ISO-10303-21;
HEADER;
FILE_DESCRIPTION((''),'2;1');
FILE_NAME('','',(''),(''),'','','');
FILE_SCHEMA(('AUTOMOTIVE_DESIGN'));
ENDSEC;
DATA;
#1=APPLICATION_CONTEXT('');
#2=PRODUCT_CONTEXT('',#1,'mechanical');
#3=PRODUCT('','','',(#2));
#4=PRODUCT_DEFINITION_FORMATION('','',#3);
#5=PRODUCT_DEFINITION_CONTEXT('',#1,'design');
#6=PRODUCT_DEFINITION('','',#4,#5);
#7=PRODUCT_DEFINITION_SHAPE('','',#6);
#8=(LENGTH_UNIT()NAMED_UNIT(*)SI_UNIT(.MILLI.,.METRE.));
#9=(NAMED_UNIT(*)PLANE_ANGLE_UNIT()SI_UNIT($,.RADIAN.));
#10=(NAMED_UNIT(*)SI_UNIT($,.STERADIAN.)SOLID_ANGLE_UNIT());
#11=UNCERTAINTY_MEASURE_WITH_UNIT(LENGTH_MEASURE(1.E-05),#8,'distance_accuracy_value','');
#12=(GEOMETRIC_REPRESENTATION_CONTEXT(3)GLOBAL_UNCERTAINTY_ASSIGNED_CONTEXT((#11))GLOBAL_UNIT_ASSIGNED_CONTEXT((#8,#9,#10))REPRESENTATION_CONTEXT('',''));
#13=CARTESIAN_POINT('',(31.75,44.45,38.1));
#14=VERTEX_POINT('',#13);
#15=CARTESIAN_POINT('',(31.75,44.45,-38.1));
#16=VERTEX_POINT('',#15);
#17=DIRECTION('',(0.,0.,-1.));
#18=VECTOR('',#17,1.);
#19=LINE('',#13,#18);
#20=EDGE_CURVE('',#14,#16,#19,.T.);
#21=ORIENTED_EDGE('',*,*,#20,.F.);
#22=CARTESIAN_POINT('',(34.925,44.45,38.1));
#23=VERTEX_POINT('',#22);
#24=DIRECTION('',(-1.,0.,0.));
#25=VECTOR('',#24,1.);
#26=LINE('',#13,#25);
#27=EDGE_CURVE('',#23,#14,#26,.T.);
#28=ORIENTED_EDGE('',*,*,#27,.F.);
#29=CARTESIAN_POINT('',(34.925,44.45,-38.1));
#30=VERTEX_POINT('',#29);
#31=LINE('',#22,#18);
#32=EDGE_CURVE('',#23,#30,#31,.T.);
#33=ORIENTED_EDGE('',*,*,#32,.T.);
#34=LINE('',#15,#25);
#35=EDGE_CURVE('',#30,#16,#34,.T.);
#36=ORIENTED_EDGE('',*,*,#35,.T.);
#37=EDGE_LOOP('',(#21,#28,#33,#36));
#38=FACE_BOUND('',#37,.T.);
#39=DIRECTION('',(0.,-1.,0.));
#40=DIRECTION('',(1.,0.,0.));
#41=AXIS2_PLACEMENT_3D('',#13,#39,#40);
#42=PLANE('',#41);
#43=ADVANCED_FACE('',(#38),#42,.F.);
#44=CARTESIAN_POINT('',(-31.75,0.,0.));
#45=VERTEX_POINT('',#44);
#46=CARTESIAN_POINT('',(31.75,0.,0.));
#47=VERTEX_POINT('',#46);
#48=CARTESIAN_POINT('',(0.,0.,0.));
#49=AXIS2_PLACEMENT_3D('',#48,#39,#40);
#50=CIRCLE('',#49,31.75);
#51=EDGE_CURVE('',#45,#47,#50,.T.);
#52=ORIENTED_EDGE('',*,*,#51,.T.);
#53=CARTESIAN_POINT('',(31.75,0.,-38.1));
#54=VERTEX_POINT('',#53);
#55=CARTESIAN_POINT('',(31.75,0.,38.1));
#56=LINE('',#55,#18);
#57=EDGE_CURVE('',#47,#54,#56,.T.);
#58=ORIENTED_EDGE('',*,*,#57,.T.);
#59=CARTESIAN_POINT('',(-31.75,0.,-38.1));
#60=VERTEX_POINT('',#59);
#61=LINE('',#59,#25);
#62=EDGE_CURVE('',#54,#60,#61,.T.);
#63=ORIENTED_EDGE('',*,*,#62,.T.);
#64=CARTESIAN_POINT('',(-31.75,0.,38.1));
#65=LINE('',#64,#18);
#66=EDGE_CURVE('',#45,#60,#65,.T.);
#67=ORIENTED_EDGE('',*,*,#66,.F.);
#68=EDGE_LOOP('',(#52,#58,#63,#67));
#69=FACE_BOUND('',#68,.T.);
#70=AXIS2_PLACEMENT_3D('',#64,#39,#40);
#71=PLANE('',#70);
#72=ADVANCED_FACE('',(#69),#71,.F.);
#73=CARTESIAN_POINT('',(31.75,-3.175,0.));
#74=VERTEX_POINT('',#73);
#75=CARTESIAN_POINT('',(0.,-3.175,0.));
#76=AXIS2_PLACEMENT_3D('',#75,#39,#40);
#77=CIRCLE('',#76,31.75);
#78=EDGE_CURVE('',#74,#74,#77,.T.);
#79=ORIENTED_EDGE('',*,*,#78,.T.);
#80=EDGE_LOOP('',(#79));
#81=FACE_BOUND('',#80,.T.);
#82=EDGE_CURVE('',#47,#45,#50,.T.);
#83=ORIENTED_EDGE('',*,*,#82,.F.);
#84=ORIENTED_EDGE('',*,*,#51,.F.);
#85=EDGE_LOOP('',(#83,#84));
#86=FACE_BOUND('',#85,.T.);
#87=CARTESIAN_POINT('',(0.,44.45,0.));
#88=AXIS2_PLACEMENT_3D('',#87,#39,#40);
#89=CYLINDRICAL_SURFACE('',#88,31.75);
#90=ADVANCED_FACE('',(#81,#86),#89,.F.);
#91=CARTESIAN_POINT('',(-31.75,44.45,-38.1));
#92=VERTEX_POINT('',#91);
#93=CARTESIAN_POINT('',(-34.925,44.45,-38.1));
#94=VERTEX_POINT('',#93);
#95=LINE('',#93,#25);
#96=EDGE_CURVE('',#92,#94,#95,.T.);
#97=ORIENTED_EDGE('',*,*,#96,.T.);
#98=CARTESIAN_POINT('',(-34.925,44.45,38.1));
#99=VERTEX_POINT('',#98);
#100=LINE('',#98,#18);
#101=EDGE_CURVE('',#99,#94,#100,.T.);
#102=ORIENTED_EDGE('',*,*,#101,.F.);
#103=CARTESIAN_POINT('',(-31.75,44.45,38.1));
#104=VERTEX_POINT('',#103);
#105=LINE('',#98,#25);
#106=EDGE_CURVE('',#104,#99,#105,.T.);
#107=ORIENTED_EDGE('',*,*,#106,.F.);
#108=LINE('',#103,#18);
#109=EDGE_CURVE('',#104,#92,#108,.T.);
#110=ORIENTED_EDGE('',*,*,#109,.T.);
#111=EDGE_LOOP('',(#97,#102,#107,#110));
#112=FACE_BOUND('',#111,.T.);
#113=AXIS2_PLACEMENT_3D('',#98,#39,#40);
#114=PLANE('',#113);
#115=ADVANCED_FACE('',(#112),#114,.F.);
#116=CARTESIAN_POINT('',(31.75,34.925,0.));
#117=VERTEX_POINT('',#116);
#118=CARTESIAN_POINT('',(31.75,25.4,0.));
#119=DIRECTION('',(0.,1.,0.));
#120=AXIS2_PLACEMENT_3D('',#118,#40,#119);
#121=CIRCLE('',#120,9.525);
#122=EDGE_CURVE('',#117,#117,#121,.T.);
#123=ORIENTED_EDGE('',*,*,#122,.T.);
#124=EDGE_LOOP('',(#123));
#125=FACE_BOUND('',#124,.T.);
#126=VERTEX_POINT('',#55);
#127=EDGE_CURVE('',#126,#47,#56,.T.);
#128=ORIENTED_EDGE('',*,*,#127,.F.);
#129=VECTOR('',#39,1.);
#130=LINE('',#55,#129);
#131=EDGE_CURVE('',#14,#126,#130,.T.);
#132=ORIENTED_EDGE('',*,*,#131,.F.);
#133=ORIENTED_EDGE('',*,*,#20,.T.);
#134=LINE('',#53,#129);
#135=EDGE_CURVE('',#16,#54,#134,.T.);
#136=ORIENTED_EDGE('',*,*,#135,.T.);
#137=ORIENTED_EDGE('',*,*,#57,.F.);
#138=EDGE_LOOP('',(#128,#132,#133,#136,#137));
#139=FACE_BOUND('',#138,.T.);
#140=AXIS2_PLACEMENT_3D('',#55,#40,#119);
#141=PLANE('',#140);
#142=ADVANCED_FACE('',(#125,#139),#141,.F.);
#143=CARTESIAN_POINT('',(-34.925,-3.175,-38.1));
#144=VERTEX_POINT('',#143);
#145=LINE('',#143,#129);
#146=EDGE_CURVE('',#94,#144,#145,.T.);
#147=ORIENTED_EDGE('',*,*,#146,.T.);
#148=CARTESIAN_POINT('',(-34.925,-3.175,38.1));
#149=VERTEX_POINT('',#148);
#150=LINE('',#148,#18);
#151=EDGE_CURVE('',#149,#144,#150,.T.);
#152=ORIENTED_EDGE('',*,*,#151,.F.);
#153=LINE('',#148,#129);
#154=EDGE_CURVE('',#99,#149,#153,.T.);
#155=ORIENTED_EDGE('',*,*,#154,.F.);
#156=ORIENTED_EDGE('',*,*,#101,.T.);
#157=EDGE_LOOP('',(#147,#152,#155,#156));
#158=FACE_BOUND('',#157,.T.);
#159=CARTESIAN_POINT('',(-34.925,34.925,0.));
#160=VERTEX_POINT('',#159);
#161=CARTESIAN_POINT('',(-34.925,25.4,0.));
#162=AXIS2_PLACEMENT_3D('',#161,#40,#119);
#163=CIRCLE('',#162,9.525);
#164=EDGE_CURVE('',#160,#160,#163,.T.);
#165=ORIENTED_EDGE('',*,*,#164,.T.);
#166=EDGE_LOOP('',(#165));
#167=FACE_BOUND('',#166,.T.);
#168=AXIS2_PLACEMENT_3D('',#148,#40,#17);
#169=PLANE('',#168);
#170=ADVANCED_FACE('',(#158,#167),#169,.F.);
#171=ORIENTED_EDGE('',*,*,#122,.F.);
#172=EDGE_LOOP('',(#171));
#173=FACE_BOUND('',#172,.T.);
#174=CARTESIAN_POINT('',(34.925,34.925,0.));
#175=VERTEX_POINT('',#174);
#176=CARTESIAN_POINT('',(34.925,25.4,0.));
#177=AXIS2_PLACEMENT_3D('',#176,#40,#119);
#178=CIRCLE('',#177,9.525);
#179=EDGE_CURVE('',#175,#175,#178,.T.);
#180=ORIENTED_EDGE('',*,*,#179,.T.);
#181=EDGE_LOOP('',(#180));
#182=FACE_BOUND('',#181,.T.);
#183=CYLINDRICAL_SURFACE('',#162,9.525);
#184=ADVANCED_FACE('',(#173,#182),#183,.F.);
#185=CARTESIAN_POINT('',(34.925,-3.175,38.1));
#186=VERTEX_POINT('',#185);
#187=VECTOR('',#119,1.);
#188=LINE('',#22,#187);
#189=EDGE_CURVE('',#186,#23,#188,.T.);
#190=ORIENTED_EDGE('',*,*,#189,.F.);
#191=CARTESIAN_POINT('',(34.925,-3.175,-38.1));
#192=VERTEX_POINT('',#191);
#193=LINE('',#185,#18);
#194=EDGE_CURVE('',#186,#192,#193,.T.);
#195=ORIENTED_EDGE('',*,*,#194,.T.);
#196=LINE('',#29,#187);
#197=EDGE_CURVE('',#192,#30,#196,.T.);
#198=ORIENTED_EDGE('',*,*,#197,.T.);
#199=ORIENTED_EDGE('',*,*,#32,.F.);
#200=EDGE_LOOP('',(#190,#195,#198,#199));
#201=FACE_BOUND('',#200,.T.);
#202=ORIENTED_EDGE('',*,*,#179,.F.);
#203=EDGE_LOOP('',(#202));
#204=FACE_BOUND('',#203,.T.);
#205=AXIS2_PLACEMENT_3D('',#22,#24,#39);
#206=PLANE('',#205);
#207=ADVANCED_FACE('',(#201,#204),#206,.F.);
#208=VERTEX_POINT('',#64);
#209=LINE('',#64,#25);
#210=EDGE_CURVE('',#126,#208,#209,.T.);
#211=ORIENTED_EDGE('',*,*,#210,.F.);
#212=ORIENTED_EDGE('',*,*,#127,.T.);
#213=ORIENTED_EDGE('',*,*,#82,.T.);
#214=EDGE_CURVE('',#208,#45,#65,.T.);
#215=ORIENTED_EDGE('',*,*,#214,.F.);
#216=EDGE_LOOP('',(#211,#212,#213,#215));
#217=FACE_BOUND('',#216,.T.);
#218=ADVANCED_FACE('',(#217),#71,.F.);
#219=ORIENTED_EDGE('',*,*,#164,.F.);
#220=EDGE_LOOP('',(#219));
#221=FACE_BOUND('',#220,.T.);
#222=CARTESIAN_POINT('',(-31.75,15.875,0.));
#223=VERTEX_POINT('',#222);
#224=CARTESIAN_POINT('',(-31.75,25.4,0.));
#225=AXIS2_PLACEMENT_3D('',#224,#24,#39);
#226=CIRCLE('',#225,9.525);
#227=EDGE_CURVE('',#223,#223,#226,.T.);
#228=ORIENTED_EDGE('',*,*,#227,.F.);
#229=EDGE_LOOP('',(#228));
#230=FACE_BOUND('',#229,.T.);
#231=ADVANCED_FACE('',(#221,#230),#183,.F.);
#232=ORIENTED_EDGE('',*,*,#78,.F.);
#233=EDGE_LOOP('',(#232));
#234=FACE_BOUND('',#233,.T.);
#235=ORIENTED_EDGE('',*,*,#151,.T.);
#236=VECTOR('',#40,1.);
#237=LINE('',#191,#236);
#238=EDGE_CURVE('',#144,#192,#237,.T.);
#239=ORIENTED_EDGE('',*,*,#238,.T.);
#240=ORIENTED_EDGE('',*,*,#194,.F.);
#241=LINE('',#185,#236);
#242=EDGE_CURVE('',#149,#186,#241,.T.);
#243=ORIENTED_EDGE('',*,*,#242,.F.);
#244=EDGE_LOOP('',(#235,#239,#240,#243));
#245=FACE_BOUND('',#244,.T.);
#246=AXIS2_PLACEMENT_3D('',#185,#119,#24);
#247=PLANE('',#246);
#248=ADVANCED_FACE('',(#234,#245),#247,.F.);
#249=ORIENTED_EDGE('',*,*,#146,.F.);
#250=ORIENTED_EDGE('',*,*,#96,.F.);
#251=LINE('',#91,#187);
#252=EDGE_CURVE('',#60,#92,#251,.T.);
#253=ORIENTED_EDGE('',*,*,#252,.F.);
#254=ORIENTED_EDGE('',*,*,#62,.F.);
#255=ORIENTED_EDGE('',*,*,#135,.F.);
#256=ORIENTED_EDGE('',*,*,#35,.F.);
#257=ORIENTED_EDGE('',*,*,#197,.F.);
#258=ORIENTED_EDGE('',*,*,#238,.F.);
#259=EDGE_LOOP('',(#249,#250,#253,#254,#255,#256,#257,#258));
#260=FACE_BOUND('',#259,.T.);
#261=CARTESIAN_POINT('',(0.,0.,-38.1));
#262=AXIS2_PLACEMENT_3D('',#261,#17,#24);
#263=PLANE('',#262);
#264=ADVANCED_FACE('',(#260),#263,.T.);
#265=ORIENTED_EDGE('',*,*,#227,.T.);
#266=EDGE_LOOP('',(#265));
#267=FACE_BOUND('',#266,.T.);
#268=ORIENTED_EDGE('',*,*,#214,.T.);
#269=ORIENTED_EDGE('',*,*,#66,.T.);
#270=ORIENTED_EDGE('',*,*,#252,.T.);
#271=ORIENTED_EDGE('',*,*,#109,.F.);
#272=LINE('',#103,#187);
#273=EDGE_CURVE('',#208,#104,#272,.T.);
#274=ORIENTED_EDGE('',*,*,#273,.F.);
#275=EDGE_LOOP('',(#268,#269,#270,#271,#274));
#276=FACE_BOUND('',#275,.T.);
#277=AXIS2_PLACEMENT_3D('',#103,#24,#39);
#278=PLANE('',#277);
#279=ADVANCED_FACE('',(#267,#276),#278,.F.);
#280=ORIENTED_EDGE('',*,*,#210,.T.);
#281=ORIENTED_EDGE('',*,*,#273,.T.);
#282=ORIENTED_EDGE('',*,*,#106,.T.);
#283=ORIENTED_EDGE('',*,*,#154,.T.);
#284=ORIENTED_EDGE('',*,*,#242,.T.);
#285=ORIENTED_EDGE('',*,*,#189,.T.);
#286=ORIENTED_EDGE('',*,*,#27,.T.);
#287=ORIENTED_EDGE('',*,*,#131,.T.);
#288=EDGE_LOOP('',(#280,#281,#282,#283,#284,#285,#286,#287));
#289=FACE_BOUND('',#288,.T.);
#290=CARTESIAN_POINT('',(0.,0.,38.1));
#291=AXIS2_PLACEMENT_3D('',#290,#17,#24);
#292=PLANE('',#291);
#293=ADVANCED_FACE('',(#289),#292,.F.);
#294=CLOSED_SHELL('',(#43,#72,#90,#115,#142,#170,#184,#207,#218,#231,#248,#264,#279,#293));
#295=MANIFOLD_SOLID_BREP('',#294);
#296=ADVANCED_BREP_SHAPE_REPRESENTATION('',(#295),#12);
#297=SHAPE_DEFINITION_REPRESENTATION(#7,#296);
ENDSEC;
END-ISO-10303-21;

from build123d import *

# Parameters (mm, degrees)
BOSS_EXTRUDE1_DEPTH = 38.1
SKETCH2_R           = 9.525
CUT_EXTRUDE1_DEPTH  = 70.85
SKETCH3_R           = 31.75
CUT_EXTRUDE2_DEPTH  = 48.625


with BuildPart() as part:
    # Sketch1 → Boss-Extrude1 (new body, symmetric)
    with BuildSketch(Plane.XY):
        Polygon((-31.75, 0), (31.75, 0), (31.75, 44.45), (34.925, 44.45), (34.925, -3.175), (-34.925, -3.175), (-34.925, 44.45), (-31.75, 44.45), align=None)
    extrude(amount=BOSS_EXTRUDE1_DEPTH, both=True)

    # Sketch2 → Cut-Extrude1 (cut, through all)
    with BuildSketch(Plane(origin=(34.925, 0, 0), x_dir=(0, 0, -1), z_dir=(1, 0, 0))):
        with Locations((0, 25.4)):
            Circle(SKETCH2_R)
    extrude(amount=-CUT_EXTRUDE1_DEPTH, mode=Mode.SUBTRACT)

    # Sketch3 → Cut-Extrude2 (cut, through all)
    with BuildSketch(Plane.XZ.offset(3.175)):
        Circle(SKETCH3_R)
    extrude(amount=-CUT_EXTRUDE2_DEPTH, mode=Mode.SUBTRACT)


solid = part.part
